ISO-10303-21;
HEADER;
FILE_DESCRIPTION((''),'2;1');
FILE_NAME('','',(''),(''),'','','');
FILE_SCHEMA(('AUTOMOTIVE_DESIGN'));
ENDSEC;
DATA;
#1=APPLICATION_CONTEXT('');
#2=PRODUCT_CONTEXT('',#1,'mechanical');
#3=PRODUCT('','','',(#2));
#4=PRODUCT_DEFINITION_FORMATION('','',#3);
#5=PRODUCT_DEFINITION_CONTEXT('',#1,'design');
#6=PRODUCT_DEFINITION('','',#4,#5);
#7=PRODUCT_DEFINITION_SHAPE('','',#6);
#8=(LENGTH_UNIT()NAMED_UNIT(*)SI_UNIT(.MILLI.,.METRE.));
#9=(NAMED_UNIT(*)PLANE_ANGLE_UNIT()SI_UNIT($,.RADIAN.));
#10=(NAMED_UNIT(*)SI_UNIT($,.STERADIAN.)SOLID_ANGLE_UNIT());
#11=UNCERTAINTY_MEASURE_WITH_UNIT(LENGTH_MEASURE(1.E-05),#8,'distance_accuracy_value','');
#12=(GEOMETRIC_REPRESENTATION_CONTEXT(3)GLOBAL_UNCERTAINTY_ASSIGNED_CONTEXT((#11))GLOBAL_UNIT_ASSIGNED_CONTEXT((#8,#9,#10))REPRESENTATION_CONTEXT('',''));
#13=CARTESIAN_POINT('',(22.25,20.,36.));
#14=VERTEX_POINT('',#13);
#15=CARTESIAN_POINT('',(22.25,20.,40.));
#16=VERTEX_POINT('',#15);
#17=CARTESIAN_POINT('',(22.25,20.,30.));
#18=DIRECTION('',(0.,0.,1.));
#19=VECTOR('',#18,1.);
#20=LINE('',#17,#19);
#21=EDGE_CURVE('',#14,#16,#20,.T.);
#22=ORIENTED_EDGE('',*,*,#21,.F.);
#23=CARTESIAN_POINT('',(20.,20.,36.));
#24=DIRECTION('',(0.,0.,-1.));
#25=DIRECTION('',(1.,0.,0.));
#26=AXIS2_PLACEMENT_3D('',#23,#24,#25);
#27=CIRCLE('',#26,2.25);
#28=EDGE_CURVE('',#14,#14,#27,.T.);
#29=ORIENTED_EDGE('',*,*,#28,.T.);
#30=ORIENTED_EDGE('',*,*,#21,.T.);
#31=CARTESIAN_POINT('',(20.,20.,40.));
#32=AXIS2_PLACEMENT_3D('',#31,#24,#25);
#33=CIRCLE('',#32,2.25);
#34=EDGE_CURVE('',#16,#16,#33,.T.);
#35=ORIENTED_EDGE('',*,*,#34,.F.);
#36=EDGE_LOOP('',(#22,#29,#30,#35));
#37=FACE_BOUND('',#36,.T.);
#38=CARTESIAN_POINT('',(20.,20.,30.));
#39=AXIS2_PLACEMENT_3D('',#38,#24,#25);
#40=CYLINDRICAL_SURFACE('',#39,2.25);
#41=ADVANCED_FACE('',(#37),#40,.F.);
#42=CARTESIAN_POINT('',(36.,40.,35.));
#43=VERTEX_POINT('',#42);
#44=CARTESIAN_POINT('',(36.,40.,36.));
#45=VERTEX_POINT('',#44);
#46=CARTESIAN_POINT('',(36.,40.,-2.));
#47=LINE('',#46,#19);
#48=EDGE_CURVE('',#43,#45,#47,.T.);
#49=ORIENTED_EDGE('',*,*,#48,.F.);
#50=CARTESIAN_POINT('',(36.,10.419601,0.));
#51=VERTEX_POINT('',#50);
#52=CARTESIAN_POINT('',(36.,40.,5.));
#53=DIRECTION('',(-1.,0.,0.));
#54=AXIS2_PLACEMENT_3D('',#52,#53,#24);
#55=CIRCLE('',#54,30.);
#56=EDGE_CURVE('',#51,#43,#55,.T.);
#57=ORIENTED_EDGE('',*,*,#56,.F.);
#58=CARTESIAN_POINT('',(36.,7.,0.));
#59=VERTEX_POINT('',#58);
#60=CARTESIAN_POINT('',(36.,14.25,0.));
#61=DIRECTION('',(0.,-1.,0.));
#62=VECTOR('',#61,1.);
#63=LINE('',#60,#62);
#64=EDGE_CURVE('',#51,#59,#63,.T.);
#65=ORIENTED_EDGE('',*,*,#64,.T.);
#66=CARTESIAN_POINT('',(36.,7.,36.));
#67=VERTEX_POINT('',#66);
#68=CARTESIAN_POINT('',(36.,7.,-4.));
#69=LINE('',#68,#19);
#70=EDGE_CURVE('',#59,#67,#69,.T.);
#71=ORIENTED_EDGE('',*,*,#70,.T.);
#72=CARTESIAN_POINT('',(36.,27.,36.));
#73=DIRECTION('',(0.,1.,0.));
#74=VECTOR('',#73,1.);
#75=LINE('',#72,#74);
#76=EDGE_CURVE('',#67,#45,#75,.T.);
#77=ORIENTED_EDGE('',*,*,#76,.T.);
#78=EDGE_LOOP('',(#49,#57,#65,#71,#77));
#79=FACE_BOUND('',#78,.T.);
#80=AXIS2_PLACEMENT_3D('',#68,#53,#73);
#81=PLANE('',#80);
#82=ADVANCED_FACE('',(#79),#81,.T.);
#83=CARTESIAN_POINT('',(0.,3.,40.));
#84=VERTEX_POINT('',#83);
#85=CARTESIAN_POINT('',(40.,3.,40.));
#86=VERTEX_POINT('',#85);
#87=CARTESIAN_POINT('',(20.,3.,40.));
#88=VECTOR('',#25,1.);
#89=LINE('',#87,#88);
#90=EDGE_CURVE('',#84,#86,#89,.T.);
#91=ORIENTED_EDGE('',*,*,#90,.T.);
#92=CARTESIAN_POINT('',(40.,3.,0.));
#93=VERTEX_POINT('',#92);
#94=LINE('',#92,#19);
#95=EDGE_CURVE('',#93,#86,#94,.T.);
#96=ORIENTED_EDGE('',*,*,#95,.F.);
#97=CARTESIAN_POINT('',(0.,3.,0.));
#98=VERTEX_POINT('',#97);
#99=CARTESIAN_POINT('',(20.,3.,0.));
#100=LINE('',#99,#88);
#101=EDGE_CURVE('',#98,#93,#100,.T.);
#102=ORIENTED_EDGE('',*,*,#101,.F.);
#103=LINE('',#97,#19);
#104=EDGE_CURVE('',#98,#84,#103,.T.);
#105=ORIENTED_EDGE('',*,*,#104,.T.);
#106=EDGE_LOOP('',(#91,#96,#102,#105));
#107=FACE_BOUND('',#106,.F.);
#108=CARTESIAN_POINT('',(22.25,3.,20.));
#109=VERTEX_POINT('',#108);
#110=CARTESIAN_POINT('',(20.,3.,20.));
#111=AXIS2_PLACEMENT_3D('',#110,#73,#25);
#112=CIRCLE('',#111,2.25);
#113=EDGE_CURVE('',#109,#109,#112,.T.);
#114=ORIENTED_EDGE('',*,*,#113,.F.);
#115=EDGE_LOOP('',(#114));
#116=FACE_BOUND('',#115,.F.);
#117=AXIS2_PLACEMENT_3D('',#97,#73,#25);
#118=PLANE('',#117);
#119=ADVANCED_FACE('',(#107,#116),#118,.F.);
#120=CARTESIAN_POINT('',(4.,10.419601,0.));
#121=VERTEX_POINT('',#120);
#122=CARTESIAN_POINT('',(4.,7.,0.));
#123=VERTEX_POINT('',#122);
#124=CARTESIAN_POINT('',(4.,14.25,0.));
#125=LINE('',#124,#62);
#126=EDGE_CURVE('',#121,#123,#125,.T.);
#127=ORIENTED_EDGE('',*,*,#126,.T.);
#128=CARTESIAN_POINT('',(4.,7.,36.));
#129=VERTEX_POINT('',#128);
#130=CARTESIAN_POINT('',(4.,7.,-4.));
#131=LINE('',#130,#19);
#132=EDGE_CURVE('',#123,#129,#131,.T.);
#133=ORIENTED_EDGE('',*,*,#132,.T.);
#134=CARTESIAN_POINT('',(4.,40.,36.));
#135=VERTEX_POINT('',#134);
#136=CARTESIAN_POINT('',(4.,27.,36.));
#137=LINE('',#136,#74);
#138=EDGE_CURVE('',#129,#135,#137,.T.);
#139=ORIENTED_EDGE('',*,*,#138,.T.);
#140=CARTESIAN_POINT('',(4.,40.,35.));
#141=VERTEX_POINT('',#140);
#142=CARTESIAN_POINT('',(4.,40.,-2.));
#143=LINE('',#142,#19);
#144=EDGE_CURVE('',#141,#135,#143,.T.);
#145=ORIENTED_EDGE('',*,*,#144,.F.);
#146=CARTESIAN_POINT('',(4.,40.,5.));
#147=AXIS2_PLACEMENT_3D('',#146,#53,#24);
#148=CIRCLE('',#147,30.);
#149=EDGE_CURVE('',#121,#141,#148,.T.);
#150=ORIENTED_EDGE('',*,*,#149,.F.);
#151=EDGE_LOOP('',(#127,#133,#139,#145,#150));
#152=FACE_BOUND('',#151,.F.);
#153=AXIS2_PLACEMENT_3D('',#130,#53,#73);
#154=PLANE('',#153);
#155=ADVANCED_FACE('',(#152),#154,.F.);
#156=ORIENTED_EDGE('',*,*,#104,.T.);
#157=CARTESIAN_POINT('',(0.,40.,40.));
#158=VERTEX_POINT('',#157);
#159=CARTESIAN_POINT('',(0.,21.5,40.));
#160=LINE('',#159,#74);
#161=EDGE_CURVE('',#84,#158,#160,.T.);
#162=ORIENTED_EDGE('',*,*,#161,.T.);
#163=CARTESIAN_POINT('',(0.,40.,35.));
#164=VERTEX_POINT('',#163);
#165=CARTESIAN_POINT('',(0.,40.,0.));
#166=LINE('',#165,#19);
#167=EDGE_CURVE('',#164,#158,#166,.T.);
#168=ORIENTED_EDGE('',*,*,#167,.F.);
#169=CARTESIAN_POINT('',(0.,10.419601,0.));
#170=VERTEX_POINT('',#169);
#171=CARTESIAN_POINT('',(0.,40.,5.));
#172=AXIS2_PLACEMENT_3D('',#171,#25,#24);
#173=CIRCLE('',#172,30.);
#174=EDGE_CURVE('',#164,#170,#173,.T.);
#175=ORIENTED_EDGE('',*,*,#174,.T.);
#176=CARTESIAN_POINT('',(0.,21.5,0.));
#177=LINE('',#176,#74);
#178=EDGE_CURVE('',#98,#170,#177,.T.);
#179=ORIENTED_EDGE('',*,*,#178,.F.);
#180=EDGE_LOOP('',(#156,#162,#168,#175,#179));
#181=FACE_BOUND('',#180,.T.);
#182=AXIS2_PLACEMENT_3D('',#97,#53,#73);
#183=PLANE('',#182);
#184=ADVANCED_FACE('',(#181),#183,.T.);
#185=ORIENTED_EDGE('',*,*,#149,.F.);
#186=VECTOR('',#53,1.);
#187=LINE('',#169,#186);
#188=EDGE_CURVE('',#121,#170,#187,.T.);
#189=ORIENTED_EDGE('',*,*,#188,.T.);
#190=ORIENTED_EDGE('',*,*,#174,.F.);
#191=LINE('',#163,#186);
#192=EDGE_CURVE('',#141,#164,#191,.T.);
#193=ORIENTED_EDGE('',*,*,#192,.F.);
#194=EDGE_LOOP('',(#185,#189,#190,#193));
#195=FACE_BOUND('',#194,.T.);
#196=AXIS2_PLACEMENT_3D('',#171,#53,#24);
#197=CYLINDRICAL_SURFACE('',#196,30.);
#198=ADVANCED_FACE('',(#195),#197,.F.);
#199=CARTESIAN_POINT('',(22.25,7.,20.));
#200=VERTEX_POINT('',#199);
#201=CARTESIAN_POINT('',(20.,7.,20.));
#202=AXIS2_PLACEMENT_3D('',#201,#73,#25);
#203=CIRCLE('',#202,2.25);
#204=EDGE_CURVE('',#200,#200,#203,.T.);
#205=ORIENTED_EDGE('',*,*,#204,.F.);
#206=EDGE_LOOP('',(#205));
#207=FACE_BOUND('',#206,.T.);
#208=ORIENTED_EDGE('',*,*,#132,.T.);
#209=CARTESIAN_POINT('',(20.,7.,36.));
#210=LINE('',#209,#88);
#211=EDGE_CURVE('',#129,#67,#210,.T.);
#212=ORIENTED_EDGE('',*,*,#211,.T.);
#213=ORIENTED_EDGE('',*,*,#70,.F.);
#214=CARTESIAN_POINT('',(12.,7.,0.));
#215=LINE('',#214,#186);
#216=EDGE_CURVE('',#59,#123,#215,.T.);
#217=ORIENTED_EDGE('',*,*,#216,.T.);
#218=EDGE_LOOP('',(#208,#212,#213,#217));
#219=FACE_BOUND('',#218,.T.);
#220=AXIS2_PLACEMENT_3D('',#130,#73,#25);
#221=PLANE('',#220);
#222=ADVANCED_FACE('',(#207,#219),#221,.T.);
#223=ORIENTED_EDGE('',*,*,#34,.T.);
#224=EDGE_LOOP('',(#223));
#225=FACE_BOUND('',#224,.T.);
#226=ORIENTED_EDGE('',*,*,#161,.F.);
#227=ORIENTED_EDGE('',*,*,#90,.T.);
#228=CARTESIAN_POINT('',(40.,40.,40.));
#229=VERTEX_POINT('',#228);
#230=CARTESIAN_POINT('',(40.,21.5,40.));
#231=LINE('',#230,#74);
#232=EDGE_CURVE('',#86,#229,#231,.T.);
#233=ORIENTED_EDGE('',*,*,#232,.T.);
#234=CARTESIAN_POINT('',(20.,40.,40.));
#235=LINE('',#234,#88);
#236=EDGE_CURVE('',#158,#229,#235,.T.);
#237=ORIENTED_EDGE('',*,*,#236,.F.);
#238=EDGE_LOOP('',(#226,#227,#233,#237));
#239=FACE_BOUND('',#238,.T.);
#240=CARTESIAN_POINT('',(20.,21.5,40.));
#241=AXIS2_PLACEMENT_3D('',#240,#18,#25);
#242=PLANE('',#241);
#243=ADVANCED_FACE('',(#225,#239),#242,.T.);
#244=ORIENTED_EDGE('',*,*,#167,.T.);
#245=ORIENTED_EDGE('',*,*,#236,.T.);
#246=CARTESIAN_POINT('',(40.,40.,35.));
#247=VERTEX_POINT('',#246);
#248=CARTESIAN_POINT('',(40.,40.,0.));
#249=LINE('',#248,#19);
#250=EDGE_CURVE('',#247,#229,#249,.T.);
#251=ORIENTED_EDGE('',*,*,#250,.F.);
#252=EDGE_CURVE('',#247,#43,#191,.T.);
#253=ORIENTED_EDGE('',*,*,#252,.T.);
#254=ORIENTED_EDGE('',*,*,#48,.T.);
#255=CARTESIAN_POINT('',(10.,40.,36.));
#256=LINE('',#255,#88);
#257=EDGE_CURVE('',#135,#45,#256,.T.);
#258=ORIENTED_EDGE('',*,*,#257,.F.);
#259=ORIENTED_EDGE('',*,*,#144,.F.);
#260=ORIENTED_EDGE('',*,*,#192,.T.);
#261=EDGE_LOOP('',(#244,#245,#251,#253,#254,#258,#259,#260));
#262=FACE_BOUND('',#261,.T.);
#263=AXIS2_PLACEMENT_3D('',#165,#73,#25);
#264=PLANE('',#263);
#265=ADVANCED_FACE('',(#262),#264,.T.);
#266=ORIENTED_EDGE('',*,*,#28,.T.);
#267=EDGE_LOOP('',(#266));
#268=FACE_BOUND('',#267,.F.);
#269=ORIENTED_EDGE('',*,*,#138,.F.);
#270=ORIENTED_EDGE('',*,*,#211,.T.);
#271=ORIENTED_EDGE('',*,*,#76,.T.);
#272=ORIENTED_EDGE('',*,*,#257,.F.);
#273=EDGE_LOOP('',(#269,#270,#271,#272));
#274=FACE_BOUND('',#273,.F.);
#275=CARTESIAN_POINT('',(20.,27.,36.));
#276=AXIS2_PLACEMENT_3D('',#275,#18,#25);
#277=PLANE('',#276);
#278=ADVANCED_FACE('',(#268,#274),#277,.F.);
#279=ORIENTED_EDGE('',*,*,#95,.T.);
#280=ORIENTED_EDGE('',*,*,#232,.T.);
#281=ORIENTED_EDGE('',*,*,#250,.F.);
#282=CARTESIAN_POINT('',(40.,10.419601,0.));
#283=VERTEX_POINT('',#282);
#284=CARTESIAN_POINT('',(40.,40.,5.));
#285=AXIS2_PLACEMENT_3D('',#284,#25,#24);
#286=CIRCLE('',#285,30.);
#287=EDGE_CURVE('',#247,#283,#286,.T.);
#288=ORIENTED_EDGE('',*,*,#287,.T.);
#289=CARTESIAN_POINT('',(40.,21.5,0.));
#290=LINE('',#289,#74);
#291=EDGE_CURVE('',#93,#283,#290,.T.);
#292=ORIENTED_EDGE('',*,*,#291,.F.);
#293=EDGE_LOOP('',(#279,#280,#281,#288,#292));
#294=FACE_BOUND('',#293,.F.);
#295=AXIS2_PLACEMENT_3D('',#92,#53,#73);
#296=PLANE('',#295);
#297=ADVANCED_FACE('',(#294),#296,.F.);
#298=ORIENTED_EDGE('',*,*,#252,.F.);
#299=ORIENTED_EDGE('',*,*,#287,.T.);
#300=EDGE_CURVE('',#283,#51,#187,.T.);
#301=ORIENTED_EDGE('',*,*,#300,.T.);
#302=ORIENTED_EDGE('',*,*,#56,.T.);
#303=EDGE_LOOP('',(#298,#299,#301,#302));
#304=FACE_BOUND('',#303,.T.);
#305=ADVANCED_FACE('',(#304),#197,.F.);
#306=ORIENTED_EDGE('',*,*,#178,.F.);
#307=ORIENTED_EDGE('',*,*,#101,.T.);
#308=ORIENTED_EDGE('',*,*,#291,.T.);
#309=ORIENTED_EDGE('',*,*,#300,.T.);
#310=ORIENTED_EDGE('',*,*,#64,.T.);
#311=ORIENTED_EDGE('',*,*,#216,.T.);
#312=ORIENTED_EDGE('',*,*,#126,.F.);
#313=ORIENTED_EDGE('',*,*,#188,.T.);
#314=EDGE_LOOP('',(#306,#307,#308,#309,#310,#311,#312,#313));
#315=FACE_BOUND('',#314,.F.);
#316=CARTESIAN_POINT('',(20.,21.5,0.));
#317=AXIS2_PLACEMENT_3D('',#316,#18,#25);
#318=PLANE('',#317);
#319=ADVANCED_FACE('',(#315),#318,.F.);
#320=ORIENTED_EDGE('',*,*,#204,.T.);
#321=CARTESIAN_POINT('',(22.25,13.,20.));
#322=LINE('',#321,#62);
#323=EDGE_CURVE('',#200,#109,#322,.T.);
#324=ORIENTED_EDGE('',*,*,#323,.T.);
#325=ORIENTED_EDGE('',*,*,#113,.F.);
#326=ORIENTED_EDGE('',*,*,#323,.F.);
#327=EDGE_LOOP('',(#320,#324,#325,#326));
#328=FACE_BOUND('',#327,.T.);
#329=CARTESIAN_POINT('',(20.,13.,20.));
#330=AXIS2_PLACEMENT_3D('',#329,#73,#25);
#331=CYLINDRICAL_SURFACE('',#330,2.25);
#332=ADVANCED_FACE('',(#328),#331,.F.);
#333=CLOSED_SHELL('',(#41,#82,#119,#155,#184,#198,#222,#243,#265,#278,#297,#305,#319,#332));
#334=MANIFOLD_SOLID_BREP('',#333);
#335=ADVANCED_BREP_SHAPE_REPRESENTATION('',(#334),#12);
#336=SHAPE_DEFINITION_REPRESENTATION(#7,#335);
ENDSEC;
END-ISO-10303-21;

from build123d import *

# Parameters (mm, degrees)
CYLINDER004_R     = 30
CYLINDER004_DEPTH = 40
CYLINDER005_R     = 2.25
CYLINDER005_DEPTH = 20
CYLINDER006_R     = 2.25
CYLINDER006_DEPTH = 20
BOX004_W          = 32
BOX004_H          = 40
BOX004_DEPTH      = 40
BOX003_W          = 40
BOX003_H          = 37
BOX003_DEPTH      = 40


with BuildPart() as cylinder004:
    # Cylinder004 → Cylinder004 (new body)
    with BuildSketch(Plane(origin=(0, 37, 5), x_dir=(0, 0, -1), z_dir=(1, 0, 0))):
        Circle(CYLINDER004_R)
    extrude(amount=CYLINDER004_DEPTH)


with BuildPart() as cylinder005:
    # Cylinder005 → Cylinder005 (new body)
    with BuildSketch(Plane(origin=(20, 10, 20), x_dir=(1, 0, 0), z_dir=(0, -1, 0))):
        Circle(CYLINDER005_R)
    extrude(amount=CYLINDER005_DEPTH)


with BuildPart() as cylinder006:
    # Cylinder006 → Cylinder006 (new body)
    with BuildSketch(Plane(origin=(20, 17, 30), x_dir=(1, 0, 0), z_dir=(0, 0, 1))):
        Circle(CYLINDER006_R)
    extrude(amount=CYLINDER006_DEPTH)


with BuildPart() as fusion002:
    # Box004 → Box004 (new body)
    with BuildSketch(Plane(origin=(4, 4, -4), x_dir=(1, 0, 0), z_dir=(0, 0, 1))):
        with Locations((16, 20)):
            Rectangle(BOX004_W, BOX004_H)
    extrude(amount=BOX004_DEPTH)

    # Fusion002: union Cylinder004, Cylinder005, Cylinder006
    add(cylinder004.part)
    add(cylinder005.part)
    add(cylinder006.part)


with BuildPart() as cut002:
    # Box003 → Box003 (new body)
    with BuildSketch(Plane.XY):
        with Locations((20, 18.5)):
            Rectangle(BOX003_W, BOX003_H)
    extrude(amount=BOX003_DEPTH)

    # Cut002: cut Fusion002
    add(fusion002.part, mode=Mode.SUBTRACT)


with BuildPart() as cut002_1:
    # Cut002 placement: moved
    add(cut002.part.moved(Location((0, 3, 0))))


solid = cut002_1.part
